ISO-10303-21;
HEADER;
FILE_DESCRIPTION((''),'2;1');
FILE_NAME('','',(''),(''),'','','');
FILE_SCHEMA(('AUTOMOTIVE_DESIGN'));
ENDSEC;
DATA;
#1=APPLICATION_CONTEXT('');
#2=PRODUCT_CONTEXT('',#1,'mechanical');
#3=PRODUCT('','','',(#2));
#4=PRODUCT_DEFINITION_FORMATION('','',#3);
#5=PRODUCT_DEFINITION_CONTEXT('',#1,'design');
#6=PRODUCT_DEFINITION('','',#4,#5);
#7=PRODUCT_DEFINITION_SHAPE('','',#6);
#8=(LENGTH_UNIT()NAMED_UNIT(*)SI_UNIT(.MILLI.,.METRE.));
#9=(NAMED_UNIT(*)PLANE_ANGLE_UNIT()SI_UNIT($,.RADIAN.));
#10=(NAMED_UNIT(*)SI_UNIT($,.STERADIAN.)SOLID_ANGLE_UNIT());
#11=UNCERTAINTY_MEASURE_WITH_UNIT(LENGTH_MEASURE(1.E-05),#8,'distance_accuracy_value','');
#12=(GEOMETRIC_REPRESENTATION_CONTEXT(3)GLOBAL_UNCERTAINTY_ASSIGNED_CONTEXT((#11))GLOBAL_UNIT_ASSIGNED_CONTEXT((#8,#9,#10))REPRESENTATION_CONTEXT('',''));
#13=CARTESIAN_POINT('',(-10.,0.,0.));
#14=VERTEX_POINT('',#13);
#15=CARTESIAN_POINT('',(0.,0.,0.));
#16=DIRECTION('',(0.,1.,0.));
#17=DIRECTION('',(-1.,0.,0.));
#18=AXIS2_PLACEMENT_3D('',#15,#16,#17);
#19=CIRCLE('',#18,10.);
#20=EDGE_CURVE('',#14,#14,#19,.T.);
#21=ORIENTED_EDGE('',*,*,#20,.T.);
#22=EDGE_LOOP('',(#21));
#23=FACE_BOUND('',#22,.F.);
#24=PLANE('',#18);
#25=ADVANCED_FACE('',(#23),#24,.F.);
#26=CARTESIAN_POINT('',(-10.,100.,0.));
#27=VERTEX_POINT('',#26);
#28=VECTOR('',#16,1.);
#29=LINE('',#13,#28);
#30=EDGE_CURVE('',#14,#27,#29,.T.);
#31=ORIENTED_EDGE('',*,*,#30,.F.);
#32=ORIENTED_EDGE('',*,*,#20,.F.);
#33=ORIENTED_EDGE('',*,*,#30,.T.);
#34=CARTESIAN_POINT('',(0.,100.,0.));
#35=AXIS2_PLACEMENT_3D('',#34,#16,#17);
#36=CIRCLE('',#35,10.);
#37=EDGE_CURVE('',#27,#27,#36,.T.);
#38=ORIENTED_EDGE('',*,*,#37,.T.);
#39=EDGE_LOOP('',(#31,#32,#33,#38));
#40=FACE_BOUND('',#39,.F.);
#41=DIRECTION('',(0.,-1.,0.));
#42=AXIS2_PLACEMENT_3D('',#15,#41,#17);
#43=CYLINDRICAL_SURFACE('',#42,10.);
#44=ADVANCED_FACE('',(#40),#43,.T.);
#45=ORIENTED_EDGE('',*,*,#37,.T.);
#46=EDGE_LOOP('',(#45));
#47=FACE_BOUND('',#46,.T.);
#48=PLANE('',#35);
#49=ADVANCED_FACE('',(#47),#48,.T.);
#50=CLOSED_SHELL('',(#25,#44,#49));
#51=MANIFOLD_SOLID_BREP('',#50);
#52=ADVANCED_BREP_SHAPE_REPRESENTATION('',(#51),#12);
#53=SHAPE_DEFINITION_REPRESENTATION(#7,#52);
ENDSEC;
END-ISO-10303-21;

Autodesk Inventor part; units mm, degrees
ref_plane "YZ Plane" through (0, 0, 0) normal (1, 0, 0) x (0, 1, 0)
ref_plane "XZ Plane" through (0, 0, 0) normal (0, 1, 0) x (-1, 0, 0)
ref_plane "XY Plane" through (0, 0, 0) normal (0, 0, 1) x (1, 0, 0)
sketch "Sketch1" plane through (0, 0, 0) normal (0, 1, 0) x (-1, 0, 0)
  circle A0 centre (0, 0) radius 10
  dimension "d0" = 20
extrude "Extrusion1" add sketch "Sketch1" along normal blind 100
properties part number "foot_big"
